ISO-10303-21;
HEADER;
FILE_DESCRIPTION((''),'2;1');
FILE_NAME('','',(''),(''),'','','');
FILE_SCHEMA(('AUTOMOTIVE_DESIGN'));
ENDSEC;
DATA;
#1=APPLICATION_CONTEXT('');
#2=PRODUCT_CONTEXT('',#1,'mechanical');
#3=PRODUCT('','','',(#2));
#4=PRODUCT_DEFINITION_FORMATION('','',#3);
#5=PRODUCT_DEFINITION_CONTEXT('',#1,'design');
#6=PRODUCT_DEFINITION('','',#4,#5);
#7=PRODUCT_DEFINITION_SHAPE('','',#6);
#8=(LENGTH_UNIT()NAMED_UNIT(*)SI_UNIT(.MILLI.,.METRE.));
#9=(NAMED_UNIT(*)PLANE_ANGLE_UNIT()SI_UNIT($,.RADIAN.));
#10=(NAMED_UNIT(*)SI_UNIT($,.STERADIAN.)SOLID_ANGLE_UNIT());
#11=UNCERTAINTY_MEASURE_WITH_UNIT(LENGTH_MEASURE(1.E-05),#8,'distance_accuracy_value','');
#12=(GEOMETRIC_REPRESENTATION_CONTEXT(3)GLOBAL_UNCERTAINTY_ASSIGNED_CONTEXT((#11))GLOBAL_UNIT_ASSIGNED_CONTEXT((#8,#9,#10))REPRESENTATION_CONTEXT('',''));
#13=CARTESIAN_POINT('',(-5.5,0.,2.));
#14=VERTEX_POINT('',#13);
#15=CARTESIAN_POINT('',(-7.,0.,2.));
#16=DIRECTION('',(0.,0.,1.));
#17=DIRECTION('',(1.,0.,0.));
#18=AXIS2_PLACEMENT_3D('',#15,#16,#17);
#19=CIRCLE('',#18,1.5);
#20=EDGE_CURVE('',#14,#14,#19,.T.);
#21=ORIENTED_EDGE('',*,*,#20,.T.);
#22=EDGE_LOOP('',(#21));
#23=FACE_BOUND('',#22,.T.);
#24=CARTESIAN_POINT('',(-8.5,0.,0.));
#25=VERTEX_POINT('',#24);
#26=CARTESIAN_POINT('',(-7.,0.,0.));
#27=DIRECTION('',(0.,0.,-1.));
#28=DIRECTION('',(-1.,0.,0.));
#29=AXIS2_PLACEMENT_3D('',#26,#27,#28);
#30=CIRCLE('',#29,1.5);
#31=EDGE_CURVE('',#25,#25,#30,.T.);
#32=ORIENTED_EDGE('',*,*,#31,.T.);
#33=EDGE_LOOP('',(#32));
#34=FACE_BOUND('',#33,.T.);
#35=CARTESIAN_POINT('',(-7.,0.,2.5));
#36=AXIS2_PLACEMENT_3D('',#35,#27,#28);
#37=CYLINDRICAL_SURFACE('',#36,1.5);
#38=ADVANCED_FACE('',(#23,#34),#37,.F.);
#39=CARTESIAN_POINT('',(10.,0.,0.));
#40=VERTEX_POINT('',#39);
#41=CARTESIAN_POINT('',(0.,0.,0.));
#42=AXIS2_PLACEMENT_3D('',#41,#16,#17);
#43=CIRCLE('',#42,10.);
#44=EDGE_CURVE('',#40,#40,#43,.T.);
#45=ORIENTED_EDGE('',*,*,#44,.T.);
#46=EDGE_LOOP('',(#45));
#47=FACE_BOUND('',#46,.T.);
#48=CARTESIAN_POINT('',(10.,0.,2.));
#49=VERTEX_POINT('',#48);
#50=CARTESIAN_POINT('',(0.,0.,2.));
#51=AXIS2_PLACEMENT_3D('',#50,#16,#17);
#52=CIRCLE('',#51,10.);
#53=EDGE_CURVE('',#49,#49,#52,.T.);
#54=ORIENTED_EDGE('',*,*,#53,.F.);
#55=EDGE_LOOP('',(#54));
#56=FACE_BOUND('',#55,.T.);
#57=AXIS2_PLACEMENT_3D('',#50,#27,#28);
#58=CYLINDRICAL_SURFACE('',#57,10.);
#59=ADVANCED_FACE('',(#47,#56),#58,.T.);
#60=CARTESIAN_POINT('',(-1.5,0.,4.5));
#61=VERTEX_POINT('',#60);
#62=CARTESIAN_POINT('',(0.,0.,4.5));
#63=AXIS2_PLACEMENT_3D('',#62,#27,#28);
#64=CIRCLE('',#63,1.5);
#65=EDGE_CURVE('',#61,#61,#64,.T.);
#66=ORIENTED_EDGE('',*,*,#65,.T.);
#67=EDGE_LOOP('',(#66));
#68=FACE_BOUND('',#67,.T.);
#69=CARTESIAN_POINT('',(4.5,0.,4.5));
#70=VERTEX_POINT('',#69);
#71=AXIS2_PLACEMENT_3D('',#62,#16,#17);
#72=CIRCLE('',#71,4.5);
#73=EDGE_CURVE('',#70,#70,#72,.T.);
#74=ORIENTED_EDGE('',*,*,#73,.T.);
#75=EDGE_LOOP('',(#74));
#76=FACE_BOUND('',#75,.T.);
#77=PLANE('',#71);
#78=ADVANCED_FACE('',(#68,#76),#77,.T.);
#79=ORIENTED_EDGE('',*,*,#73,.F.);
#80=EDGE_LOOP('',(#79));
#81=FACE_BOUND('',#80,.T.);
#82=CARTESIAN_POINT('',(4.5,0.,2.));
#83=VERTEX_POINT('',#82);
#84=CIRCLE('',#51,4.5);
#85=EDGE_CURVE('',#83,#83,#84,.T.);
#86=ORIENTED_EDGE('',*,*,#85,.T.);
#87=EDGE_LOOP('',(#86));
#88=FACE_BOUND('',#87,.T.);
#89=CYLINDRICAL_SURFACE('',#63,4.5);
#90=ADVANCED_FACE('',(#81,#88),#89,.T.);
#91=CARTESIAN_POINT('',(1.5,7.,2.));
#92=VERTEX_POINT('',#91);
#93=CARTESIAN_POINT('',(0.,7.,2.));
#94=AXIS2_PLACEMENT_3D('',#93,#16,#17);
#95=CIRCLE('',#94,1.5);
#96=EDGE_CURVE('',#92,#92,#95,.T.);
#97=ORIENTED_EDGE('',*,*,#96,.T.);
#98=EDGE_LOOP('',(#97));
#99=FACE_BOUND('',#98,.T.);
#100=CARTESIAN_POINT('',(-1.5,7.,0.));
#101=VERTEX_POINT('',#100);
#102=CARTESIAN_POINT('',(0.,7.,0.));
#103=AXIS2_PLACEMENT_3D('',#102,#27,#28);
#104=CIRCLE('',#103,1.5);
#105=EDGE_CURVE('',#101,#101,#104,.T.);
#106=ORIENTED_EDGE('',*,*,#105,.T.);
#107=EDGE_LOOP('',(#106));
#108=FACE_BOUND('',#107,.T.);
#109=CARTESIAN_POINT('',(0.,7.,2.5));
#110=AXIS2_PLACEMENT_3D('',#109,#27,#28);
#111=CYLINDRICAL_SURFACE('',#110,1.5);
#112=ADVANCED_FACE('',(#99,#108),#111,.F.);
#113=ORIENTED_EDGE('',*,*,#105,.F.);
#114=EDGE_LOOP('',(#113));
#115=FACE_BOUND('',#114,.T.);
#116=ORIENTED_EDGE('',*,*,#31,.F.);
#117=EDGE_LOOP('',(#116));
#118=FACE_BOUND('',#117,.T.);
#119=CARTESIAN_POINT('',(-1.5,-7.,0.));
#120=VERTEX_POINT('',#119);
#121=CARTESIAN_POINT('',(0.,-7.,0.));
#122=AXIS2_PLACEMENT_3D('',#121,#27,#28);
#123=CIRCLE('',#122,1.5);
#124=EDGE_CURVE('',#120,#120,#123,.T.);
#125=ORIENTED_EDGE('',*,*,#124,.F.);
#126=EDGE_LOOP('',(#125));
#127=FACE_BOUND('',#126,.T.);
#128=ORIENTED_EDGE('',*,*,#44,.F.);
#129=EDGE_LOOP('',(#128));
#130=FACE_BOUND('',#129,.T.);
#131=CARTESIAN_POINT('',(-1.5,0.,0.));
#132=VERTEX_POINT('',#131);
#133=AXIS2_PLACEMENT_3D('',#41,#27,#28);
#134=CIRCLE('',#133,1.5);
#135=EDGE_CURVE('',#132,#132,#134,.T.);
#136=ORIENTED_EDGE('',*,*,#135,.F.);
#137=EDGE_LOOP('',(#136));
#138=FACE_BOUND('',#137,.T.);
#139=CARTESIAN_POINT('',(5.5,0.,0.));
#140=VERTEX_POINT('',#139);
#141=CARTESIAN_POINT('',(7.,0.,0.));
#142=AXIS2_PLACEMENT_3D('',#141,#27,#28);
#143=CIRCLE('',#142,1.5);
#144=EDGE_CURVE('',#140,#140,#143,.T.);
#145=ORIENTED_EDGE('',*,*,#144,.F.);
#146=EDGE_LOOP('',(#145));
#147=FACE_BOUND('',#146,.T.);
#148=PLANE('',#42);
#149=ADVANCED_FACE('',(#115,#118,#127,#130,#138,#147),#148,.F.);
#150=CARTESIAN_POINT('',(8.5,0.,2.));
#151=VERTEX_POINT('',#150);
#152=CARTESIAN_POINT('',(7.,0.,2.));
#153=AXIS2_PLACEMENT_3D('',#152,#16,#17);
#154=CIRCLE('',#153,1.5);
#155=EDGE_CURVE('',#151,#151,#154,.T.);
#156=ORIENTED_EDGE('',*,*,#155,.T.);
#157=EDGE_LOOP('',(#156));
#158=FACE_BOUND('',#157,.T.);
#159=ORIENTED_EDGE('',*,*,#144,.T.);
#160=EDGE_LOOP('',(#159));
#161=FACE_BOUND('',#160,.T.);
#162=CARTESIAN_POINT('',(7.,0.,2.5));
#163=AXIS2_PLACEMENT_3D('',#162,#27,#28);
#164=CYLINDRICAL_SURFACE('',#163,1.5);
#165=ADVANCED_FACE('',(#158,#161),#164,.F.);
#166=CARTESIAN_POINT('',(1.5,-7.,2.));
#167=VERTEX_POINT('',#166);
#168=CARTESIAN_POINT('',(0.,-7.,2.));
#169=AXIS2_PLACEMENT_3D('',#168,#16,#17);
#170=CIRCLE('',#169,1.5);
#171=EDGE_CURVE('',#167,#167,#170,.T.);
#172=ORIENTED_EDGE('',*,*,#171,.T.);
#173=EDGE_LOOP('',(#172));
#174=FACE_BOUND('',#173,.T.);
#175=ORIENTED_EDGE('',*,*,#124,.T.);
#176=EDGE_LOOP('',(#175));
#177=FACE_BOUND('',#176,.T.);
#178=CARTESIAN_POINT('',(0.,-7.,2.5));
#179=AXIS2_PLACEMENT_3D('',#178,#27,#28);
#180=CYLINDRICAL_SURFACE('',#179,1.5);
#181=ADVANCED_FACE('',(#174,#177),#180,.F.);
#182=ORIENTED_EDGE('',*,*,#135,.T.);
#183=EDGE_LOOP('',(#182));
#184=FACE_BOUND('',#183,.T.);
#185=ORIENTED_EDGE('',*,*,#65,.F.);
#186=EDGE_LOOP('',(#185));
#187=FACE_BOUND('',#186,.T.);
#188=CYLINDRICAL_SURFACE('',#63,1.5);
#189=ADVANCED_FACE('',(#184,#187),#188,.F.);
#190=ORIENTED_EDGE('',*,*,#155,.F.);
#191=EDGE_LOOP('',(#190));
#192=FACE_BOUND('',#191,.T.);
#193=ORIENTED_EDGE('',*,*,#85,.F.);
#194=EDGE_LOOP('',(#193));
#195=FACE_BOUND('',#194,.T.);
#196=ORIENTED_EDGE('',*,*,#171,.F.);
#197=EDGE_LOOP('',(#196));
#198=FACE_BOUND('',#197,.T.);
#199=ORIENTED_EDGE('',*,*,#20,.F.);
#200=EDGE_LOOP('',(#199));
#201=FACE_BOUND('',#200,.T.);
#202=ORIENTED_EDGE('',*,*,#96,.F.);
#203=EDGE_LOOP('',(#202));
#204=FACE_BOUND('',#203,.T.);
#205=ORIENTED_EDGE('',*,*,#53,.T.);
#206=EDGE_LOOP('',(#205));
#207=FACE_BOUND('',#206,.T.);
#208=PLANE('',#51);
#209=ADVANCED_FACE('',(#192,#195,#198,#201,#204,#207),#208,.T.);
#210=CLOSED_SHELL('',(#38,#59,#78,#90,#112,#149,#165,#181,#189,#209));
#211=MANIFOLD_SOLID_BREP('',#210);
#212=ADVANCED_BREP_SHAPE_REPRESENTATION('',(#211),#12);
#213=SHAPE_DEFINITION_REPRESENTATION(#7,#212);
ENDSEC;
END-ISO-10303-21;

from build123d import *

# Parameters (mm, degrees)
SKETCH_1_R          = 10
EXTRUDE_1_DEPTH     = 2
SKETCH_2_R          = 4.5
EXTRUDE_2_DEPTH     = 2.5
SKETCH_3_R          = 1.5
CUT_EXTRUDE_1_DEPTH = 2.5
SKETCH_4_R          = 1.5
CUT_EXTRUDE_2_DEPTH = 15.84082208


with BuildPart() as part:
    # 草图1 → 凸台-拉伸1 (new body)
    with BuildSketch(Plane.XY):
        Circle(SKETCH_1_R)
    extrude(amount=EXTRUDE_1_DEPTH)

    # 草图2 → 凸台-拉伸2 (add)
    with BuildSketch(Plane.XY.offset(2)):
        Circle(SKETCH_2_R)
    extrude(amount=EXTRUDE_2_DEPTH)

    # 草图3 → 切除-拉伸1 (cut)
    with BuildSketch(Plane(origin=(0, 0, 0), x_dir=(-1, 0, 0), z_dir=(0, 0, -1))):
        with Locations((0, 7)):
            Circle(SKETCH_3_R)
        with Locations((7, 0)):
            Circle(SKETCH_3_R)
        with Locations((0, -7)):
            Circle(SKETCH_3_R)
        with Locations((-7, 0)):
            Circle(SKETCH_3_R)
    extrude(amount=-CUT_EXTRUDE_1_DEPTH, mode=Mode.SUBTRACT)

    # 草图4 → 切除-拉伸2 (cut, through all)
    with BuildSketch(Plane(origin=(0, 0, 0), x_dir=(-1, 0, 0), z_dir=(0, 0, -1))):
        Circle(SKETCH_4_R)
    extrude(amount=-CUT_EXTRUDE_2_DEPTH, mode=Mode.SUBTRACT)


solid = part.part
